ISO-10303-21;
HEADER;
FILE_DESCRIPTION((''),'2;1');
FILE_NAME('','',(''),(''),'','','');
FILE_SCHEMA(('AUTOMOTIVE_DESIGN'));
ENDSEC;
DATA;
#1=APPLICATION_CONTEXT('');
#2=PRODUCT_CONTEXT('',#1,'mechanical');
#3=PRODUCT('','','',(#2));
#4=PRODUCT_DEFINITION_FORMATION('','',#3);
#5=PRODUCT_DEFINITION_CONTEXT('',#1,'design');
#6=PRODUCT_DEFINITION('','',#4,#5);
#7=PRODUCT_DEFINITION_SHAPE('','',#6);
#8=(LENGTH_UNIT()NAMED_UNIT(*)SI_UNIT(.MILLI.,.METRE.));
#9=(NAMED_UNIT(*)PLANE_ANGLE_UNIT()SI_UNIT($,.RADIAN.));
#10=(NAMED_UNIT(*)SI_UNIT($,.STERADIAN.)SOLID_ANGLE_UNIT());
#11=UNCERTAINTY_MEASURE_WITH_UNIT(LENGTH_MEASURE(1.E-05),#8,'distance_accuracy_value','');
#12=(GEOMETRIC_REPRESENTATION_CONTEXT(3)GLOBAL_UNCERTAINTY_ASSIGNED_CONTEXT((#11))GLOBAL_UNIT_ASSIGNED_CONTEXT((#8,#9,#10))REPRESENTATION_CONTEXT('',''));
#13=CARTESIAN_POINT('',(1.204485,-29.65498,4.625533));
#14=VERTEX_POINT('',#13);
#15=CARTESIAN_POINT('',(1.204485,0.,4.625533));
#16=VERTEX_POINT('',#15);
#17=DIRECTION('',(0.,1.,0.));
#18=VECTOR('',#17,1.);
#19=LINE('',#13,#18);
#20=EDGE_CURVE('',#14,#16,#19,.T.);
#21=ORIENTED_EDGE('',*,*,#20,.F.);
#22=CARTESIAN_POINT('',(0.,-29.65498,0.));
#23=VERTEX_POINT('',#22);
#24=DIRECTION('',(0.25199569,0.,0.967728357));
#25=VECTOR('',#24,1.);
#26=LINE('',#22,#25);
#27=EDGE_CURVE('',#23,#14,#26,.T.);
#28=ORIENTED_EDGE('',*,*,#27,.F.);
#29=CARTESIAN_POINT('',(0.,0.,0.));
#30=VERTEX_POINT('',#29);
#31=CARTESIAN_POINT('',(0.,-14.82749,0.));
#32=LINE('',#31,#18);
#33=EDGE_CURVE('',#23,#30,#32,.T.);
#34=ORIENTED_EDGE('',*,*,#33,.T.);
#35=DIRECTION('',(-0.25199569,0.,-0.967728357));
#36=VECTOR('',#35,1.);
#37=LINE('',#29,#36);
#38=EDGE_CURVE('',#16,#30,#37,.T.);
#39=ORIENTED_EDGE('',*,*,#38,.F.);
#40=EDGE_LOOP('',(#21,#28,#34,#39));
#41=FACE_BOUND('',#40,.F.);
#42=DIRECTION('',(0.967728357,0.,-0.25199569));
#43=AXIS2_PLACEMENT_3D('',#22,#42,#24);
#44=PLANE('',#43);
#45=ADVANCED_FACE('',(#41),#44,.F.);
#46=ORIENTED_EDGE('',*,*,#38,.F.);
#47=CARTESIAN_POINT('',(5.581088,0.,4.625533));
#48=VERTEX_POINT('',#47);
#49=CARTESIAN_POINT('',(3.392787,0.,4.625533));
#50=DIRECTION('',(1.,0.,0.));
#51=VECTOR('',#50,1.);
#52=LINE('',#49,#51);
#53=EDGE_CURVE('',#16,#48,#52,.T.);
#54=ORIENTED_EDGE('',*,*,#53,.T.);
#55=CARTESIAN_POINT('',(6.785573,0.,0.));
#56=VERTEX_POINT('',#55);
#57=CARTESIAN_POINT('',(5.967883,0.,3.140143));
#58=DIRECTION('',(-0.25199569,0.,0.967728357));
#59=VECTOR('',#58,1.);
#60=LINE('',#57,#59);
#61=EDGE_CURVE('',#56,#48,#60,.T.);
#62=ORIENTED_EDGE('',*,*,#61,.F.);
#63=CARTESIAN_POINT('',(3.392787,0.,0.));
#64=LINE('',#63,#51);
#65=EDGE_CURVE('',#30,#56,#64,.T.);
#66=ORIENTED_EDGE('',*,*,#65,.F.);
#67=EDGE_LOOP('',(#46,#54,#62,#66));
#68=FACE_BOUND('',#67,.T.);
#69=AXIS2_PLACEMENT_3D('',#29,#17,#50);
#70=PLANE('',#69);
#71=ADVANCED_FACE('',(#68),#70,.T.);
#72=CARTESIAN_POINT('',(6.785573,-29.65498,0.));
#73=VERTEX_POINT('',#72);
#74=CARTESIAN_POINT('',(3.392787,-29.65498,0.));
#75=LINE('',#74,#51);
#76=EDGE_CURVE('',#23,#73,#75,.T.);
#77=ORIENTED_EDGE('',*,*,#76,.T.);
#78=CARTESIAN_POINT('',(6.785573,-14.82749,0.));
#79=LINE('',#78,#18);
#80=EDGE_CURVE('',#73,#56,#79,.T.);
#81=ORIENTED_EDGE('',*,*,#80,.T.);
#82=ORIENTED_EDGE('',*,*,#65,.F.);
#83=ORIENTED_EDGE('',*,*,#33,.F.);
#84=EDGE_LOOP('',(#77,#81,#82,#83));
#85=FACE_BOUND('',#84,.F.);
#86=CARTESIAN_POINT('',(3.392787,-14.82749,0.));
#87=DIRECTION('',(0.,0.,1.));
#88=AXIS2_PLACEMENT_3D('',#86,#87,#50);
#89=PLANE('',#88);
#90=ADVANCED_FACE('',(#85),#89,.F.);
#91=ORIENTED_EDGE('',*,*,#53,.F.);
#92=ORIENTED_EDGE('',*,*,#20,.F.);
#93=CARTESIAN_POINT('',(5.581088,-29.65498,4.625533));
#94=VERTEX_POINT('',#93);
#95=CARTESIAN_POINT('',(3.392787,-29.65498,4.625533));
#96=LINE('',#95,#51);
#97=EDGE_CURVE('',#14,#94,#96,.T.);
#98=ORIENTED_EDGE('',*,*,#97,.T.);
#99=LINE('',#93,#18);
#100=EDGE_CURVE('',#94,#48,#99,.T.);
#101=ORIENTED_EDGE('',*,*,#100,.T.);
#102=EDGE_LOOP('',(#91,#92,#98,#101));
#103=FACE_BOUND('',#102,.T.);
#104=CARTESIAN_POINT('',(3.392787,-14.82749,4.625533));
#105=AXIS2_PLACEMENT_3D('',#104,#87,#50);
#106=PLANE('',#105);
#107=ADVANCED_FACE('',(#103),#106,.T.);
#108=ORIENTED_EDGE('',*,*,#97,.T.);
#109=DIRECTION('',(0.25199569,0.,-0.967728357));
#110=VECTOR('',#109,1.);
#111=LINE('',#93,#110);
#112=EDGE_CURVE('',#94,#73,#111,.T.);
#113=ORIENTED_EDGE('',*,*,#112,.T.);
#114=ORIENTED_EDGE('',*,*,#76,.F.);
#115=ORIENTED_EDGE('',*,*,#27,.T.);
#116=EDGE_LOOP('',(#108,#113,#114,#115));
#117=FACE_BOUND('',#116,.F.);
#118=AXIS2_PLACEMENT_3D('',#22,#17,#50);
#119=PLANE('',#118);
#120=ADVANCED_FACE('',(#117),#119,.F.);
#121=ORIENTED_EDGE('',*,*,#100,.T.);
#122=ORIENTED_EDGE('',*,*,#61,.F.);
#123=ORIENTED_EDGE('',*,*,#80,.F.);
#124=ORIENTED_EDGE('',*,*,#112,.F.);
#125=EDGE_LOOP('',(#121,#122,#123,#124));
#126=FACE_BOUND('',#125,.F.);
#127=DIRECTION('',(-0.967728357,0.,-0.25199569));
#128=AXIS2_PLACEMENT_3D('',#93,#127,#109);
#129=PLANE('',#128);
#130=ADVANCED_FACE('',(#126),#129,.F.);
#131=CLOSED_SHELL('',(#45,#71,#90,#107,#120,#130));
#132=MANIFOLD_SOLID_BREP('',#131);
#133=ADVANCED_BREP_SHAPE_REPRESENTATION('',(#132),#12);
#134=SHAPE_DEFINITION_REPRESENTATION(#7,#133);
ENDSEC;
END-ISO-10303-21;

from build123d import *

# Parameters (mm, degrees)
F0_W     = 6.7855734378
F0_H     = 29.6549797058
F1_DEPTH = 4.6255332418
F3_DEPTH = 38.2742844522


with BuildPart() as f1:
    # F0 (on Top) → F1 (new body)
    with BuildSketch(Plane.XY):
        with Locations((3.3927867189, -14.8274898529)):
            Rectangle(F0_W, F0_H)
    extrude(amount=F1_DEPTH)

    # F2 (on face) → F3 (cut)
    with BuildSketch(Plane.XZ.offset(29.6549797058)):
        Polygon((5.5810882808, 4.6255332418), (6.7855734378, 0), (6.7855734378, 4.6255332418), align=None)
        Polygon((0, 4.6255332418), (0, 0), (1.204485157, 4.6255332418), align=None)
    extrude(amount=-F3_DEPTH, mode=Mode.SUBTRACT)


solid = f1.part
